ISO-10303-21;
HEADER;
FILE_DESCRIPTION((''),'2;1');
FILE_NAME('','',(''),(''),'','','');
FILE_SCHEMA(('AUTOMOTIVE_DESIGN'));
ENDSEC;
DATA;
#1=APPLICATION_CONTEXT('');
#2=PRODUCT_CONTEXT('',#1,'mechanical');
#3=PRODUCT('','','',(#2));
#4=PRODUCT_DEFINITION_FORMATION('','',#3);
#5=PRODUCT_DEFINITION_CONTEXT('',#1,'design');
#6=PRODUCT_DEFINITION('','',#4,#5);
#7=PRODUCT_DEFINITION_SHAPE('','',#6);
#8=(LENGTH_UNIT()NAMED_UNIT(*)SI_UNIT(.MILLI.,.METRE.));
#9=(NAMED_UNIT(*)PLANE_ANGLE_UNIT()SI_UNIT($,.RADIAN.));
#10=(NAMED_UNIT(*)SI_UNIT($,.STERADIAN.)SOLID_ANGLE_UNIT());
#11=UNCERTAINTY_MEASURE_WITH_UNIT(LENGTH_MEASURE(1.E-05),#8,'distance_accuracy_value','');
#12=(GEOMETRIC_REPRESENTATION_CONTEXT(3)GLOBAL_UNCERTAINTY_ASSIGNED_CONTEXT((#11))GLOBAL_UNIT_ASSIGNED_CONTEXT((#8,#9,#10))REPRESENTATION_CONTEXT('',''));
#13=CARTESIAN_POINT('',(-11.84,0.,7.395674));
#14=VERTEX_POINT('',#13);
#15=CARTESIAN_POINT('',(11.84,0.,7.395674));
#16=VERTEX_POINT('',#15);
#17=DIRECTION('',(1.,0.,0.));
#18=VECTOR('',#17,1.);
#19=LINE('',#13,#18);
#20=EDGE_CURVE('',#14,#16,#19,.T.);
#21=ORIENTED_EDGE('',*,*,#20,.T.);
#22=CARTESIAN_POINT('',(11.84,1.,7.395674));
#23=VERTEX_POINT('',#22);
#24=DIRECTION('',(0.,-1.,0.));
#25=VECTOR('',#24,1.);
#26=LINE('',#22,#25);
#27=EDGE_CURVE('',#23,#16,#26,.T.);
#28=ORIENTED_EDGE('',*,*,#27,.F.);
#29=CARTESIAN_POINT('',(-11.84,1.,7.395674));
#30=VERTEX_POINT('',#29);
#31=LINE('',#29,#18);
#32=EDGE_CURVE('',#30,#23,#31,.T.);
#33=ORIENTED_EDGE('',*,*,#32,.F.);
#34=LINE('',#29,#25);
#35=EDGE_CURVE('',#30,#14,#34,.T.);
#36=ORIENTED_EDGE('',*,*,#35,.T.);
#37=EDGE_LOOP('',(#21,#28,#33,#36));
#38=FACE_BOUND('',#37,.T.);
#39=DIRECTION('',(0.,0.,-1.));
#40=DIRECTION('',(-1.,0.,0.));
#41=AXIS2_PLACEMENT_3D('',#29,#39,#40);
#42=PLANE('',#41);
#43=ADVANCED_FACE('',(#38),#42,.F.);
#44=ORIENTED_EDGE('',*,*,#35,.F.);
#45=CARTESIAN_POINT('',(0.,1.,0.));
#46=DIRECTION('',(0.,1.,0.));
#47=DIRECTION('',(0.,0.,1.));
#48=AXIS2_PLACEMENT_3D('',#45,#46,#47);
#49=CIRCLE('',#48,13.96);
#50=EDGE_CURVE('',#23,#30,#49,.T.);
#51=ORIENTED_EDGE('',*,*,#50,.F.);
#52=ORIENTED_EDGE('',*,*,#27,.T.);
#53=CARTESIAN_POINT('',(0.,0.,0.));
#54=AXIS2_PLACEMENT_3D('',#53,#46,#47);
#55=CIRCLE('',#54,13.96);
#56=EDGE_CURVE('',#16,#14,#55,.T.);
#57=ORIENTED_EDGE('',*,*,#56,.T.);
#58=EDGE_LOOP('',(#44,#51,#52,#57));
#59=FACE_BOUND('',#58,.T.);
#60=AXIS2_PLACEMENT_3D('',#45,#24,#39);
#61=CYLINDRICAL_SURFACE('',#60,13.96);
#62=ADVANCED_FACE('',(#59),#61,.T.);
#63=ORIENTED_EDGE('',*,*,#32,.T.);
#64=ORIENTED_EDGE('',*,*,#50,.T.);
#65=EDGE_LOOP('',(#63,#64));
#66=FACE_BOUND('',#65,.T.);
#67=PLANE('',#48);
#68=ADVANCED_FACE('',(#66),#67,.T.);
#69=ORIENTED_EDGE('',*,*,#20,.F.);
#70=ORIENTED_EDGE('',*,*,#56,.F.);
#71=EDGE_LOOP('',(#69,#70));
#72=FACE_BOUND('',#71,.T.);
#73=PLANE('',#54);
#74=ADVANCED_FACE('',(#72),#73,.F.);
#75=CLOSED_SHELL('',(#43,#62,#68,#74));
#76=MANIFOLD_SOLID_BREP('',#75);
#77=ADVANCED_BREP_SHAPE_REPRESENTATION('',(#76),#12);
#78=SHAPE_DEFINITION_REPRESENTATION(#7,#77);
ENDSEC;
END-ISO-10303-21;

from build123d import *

# Parameters (mm, degrees)
BOSS_EXTRUDE1_DEPTH = 1


with BuildPart() as part:
    # Sketch1 → Boss-Extrude1 (new body)
    with BuildSketch(Plane(origin=(0, 0, 0), x_dir=(1, 0, 0), z_dir=(0, 1, 0))):
        with BuildLine():
            Line((-11.84, -7.395674411), (11.84, -7.395674411))
            ThreePointArc((11.84, -7.395674411), (0, 13.96), (-11.84, -7.395674411))
        make_face()
    extrude(amount=BOSS_EXTRUDE1_DEPTH)


solid = part.part
